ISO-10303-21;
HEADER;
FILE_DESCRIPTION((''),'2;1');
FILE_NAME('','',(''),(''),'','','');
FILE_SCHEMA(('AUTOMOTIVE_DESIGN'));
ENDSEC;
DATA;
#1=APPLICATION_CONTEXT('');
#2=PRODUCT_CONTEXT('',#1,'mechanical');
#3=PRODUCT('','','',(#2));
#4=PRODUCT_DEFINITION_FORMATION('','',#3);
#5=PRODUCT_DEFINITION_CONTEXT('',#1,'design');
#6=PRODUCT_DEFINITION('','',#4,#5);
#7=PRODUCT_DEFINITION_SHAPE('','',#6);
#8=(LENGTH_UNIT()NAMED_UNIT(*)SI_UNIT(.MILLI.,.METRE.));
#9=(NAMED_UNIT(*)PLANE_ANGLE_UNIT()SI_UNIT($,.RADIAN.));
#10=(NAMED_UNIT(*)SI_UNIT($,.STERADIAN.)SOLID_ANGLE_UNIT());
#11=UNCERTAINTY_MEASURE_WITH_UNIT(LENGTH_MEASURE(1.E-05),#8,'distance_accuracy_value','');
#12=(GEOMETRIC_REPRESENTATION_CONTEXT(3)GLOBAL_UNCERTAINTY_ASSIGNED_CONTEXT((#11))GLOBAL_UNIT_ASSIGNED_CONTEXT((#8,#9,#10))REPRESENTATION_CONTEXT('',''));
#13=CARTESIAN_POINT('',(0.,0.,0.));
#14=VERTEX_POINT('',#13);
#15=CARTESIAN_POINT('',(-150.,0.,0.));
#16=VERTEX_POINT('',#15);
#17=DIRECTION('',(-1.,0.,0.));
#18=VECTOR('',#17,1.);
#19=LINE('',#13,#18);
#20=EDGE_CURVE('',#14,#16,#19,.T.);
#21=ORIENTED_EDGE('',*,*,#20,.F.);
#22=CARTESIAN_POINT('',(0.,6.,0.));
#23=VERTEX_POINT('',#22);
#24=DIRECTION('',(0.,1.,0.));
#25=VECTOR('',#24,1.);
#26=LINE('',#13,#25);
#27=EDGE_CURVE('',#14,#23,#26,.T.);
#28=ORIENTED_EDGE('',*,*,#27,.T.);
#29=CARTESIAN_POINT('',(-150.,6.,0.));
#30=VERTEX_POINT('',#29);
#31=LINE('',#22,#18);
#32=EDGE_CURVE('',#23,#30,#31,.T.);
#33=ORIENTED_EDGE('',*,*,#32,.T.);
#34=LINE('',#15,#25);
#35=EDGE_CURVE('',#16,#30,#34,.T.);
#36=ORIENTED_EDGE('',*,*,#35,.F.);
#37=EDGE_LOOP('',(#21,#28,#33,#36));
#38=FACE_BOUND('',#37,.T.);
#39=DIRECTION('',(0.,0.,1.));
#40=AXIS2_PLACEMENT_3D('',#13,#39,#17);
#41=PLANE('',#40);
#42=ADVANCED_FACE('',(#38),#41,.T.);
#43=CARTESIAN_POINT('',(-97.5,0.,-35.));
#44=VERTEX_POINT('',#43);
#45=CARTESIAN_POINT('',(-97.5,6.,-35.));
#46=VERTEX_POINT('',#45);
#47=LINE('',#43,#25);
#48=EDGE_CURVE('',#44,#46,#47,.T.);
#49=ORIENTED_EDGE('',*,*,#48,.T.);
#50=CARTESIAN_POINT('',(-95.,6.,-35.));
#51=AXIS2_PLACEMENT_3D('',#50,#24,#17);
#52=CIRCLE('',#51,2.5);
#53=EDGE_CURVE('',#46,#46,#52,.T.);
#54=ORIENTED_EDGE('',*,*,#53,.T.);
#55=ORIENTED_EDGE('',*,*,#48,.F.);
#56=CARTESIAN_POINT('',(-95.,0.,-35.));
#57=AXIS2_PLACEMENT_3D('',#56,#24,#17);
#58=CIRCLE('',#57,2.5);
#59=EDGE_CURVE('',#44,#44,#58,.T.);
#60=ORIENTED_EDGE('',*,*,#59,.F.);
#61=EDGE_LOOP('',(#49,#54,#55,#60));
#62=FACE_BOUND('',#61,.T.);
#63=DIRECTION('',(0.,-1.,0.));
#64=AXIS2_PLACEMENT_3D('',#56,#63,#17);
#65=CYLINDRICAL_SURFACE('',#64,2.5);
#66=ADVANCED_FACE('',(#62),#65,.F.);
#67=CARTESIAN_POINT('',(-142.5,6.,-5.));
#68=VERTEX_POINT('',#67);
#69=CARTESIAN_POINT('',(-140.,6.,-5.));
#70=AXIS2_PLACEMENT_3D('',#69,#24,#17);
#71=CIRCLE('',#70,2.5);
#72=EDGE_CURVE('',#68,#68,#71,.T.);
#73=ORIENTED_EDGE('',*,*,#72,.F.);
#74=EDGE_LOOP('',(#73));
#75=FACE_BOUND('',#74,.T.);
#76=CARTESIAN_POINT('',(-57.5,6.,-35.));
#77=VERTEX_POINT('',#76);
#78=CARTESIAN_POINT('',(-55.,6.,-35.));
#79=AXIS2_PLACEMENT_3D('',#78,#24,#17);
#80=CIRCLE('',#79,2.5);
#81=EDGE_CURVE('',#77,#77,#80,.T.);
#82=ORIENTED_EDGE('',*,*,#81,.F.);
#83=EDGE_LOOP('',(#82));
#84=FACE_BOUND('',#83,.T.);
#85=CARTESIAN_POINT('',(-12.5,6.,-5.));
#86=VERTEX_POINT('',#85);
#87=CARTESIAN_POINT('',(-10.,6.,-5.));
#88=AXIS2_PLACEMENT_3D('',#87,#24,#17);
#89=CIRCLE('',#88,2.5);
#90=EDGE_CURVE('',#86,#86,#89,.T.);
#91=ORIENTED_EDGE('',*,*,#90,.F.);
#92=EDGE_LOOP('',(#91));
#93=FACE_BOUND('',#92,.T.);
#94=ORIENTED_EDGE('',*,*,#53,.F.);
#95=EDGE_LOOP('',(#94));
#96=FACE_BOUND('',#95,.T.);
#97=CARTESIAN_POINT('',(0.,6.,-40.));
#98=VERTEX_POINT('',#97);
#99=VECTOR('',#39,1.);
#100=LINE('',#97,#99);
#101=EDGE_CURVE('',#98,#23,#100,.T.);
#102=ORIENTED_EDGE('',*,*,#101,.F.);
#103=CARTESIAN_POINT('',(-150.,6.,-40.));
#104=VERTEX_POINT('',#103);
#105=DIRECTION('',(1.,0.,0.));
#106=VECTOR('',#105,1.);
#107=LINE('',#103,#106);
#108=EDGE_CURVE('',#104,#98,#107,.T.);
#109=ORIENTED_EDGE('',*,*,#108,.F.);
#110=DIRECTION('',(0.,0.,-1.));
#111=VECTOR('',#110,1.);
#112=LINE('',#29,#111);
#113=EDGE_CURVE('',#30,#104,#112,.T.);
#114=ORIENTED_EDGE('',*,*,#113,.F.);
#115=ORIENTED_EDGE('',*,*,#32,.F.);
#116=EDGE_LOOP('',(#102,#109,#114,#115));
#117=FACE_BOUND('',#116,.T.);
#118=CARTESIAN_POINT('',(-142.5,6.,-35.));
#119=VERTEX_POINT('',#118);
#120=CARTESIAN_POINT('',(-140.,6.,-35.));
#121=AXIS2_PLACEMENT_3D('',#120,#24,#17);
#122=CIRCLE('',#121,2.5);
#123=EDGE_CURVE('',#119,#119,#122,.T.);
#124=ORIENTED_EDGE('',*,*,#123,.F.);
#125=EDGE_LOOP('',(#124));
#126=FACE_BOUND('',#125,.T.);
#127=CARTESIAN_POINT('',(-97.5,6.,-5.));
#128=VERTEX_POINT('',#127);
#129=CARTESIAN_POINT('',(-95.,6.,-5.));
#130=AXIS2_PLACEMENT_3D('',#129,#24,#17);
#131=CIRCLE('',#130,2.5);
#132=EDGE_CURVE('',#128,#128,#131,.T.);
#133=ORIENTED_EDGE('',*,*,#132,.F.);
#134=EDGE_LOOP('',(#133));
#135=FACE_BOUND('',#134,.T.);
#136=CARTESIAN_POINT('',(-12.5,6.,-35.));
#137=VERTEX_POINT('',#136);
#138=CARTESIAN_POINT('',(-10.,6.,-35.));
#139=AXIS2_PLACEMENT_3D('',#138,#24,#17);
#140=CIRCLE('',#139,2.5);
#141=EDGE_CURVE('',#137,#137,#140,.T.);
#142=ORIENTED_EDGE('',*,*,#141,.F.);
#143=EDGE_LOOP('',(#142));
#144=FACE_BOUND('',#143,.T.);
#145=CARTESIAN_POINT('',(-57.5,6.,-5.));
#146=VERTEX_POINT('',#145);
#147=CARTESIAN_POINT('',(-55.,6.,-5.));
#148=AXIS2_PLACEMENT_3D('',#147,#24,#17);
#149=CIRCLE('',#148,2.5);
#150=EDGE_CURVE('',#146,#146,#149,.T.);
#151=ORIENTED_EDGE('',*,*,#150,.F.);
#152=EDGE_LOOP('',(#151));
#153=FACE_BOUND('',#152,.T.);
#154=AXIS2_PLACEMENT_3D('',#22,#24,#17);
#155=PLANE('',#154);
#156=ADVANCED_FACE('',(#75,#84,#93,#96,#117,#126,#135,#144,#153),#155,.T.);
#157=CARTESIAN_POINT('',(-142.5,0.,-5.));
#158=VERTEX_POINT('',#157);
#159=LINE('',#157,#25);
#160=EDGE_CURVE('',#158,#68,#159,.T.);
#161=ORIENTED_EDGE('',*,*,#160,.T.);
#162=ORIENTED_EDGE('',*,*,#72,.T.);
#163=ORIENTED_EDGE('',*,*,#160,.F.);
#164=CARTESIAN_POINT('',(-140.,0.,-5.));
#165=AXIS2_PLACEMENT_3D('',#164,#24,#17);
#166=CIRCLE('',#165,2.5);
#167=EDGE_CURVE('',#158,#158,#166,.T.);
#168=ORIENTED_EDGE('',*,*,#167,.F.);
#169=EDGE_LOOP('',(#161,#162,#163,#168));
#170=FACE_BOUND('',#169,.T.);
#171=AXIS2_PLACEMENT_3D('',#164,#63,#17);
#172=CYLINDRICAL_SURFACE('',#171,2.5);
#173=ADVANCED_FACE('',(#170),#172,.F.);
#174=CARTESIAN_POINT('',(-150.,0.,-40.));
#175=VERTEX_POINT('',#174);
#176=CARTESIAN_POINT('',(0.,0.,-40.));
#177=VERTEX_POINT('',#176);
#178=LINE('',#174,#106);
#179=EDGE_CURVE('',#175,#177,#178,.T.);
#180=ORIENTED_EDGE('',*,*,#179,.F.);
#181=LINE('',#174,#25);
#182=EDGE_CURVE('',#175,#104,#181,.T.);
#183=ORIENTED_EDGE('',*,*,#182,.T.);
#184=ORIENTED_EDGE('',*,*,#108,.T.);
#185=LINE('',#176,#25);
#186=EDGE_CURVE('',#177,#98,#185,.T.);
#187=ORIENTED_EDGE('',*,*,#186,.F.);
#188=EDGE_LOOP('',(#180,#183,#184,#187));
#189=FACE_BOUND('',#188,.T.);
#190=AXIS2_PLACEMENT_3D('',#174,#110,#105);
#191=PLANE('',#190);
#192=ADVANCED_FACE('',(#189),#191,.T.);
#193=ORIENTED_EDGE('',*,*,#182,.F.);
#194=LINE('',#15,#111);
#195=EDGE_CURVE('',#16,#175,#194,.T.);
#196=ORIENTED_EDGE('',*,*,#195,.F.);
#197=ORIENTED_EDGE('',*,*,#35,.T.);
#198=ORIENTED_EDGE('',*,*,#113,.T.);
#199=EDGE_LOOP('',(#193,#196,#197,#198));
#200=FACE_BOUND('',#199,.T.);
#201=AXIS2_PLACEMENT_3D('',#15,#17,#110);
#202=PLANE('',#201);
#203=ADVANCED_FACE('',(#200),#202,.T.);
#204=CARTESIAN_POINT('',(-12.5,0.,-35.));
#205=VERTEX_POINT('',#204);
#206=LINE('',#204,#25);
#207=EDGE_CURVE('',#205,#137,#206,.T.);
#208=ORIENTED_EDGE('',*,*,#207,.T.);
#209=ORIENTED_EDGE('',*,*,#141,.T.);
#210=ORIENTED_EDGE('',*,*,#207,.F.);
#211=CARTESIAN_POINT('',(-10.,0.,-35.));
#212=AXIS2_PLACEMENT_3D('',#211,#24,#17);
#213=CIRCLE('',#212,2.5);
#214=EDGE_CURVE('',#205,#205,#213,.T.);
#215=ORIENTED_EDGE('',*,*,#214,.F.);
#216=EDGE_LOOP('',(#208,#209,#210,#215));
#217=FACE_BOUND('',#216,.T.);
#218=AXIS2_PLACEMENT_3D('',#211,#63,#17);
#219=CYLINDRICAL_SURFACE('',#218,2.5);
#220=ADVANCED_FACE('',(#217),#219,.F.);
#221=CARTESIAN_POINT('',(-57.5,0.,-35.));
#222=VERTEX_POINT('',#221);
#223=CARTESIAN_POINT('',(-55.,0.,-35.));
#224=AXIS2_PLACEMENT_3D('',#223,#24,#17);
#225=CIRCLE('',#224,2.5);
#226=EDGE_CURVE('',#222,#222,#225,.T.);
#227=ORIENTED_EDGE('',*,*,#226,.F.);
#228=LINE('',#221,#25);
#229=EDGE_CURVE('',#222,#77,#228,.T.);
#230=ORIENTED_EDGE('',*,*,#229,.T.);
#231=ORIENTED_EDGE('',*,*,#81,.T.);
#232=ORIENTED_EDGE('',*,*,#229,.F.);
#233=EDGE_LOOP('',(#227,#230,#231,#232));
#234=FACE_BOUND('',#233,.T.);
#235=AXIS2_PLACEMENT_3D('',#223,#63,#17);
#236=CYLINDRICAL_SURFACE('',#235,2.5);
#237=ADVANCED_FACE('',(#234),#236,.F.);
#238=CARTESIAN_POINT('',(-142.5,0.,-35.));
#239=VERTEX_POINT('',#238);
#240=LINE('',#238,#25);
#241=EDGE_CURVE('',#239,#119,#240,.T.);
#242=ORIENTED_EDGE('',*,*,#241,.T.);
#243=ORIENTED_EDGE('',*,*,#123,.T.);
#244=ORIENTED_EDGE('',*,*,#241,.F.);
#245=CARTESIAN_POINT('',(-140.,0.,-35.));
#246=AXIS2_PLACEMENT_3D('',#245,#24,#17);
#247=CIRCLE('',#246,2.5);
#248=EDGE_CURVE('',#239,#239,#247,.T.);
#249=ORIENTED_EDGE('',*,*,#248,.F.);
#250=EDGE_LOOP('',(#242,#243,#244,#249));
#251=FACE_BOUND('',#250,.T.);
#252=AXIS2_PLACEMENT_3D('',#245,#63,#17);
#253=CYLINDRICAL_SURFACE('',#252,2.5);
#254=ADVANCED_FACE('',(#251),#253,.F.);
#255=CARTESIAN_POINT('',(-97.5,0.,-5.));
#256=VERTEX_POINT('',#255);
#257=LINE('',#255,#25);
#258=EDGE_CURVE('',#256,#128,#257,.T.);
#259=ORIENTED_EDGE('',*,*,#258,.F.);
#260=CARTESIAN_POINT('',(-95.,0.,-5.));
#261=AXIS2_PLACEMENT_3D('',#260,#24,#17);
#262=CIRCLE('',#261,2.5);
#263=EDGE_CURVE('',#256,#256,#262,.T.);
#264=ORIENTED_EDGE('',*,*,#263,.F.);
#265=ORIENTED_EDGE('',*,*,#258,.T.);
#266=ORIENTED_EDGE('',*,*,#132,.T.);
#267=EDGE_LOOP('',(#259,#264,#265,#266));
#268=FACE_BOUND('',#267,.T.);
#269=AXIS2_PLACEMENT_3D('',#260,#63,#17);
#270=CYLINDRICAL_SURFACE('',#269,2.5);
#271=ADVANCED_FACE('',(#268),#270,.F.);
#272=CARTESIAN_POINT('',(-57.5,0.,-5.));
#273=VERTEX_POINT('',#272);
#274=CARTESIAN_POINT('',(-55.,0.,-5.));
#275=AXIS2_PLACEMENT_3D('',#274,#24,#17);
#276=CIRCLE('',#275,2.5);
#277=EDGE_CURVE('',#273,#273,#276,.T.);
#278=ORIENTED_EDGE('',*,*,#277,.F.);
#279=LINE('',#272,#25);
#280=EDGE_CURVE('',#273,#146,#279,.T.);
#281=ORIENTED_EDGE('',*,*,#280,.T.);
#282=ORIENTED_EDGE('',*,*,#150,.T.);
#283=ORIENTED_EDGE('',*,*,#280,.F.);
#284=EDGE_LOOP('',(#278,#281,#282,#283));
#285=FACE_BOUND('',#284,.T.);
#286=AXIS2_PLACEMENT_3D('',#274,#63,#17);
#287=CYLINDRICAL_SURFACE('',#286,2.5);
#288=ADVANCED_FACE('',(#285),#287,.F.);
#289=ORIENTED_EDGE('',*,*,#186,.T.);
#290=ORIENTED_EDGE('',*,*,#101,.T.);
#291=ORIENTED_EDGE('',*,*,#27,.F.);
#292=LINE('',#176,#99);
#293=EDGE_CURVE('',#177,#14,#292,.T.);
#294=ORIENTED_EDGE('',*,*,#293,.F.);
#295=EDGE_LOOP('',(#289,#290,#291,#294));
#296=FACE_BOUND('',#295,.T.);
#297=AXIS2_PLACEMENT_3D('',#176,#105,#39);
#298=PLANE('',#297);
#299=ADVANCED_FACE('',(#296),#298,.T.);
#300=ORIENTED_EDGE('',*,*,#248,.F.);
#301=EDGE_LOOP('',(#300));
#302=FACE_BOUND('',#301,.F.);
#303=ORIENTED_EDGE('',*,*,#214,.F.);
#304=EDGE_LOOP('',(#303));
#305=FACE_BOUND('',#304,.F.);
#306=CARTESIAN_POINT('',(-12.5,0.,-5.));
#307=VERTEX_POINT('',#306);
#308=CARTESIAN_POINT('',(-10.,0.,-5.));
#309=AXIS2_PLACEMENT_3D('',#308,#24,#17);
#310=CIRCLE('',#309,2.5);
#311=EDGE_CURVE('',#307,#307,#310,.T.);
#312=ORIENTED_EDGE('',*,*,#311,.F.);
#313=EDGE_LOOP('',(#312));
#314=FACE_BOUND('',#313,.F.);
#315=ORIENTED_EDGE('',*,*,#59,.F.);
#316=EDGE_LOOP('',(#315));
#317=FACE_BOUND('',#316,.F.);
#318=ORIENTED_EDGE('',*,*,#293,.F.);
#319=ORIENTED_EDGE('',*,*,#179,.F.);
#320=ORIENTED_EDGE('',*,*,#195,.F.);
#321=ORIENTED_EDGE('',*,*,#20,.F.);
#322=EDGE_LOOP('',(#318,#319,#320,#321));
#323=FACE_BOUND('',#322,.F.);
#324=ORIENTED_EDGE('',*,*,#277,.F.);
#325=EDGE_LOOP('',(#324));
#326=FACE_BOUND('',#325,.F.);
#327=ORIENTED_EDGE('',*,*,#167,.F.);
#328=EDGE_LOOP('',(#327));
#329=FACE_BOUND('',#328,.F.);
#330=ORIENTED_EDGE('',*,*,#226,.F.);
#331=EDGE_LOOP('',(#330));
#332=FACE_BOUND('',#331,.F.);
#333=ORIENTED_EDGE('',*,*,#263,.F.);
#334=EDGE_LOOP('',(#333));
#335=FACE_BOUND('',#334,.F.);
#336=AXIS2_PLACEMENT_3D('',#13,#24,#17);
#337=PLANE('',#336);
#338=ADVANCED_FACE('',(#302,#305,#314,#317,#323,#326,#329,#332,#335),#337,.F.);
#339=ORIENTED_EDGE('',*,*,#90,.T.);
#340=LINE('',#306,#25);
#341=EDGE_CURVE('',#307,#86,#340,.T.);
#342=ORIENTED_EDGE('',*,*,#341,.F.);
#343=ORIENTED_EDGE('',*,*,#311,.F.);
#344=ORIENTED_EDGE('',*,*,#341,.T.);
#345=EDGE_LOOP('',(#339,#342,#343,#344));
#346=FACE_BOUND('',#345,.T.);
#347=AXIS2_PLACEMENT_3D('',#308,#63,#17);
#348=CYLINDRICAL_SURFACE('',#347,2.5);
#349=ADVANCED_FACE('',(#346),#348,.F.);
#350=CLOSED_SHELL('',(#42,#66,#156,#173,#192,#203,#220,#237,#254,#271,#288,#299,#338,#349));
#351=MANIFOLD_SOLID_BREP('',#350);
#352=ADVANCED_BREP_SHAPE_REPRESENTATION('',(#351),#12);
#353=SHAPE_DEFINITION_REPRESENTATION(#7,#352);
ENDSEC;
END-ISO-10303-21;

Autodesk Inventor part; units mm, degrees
ref_plane "YZ Plane" through (0, 0, 0) normal (1, 0, 0) x (0, 1, 0)
ref_plane "XZ Plane" through (0, 0, 0) normal (0, 1, 0) x (-1, 0, 0)
ref_plane "XY Plane" through (0, 0, 0) normal (0, 0, 1) x (1, 0, 0)
sketch "Esquisse1" plane through (0, 0, 0) normal (0, 1, 0) x (-1, 0, 0)
  line L0 (0, 0) -> (150, 0)
  line L1 (150, 0) -> (150, -40)
  line L2 (150, -40) -> (0, -40)
  line L3 (0, -40) -> (0, 0)
  line L4 (150, -20) -> (0, -20) construction
  line L5 (150, -10) -> (0, -10) construction
  line L6 (150, -30) -> (0, -30) construction
  circle A0 centre (95, -5) radius 2.5
  line L7 (75, 0) -> (75, -40) construction
  circle A1 centre (55, -5) radius 2.5
  circle A2 centre (95, -35) radius 2.5
  circle A3 centre (55, -35) radius 2.5
  circle A4 centre (140, -5) radius 2.5
  circle A5 centre (140, -35) radius 2.5
  circle A6 centre (10, -5) radius 2.5
  circle A7 centre (10, -35) radius 2.5
  dimension "d0" = 150
  dimension "d2" = 10
  dimension "d3" = 10
  dimension "d4" = 5
  dimension "d12" = 5
  dimension "d13" = 20
  dimension "d14" = 20
  dimension "d15" = 5
  dimension "d16" = 10
  dimension "d17" = 5
extrude "Extrusion1" add sketch "Esquisse1" along normal blind 6
equation "\"d3\" = d2"
equation "\"d17\" = d12"
properties part number "hold_motor_bottom" material "Bois (cerisier)"
